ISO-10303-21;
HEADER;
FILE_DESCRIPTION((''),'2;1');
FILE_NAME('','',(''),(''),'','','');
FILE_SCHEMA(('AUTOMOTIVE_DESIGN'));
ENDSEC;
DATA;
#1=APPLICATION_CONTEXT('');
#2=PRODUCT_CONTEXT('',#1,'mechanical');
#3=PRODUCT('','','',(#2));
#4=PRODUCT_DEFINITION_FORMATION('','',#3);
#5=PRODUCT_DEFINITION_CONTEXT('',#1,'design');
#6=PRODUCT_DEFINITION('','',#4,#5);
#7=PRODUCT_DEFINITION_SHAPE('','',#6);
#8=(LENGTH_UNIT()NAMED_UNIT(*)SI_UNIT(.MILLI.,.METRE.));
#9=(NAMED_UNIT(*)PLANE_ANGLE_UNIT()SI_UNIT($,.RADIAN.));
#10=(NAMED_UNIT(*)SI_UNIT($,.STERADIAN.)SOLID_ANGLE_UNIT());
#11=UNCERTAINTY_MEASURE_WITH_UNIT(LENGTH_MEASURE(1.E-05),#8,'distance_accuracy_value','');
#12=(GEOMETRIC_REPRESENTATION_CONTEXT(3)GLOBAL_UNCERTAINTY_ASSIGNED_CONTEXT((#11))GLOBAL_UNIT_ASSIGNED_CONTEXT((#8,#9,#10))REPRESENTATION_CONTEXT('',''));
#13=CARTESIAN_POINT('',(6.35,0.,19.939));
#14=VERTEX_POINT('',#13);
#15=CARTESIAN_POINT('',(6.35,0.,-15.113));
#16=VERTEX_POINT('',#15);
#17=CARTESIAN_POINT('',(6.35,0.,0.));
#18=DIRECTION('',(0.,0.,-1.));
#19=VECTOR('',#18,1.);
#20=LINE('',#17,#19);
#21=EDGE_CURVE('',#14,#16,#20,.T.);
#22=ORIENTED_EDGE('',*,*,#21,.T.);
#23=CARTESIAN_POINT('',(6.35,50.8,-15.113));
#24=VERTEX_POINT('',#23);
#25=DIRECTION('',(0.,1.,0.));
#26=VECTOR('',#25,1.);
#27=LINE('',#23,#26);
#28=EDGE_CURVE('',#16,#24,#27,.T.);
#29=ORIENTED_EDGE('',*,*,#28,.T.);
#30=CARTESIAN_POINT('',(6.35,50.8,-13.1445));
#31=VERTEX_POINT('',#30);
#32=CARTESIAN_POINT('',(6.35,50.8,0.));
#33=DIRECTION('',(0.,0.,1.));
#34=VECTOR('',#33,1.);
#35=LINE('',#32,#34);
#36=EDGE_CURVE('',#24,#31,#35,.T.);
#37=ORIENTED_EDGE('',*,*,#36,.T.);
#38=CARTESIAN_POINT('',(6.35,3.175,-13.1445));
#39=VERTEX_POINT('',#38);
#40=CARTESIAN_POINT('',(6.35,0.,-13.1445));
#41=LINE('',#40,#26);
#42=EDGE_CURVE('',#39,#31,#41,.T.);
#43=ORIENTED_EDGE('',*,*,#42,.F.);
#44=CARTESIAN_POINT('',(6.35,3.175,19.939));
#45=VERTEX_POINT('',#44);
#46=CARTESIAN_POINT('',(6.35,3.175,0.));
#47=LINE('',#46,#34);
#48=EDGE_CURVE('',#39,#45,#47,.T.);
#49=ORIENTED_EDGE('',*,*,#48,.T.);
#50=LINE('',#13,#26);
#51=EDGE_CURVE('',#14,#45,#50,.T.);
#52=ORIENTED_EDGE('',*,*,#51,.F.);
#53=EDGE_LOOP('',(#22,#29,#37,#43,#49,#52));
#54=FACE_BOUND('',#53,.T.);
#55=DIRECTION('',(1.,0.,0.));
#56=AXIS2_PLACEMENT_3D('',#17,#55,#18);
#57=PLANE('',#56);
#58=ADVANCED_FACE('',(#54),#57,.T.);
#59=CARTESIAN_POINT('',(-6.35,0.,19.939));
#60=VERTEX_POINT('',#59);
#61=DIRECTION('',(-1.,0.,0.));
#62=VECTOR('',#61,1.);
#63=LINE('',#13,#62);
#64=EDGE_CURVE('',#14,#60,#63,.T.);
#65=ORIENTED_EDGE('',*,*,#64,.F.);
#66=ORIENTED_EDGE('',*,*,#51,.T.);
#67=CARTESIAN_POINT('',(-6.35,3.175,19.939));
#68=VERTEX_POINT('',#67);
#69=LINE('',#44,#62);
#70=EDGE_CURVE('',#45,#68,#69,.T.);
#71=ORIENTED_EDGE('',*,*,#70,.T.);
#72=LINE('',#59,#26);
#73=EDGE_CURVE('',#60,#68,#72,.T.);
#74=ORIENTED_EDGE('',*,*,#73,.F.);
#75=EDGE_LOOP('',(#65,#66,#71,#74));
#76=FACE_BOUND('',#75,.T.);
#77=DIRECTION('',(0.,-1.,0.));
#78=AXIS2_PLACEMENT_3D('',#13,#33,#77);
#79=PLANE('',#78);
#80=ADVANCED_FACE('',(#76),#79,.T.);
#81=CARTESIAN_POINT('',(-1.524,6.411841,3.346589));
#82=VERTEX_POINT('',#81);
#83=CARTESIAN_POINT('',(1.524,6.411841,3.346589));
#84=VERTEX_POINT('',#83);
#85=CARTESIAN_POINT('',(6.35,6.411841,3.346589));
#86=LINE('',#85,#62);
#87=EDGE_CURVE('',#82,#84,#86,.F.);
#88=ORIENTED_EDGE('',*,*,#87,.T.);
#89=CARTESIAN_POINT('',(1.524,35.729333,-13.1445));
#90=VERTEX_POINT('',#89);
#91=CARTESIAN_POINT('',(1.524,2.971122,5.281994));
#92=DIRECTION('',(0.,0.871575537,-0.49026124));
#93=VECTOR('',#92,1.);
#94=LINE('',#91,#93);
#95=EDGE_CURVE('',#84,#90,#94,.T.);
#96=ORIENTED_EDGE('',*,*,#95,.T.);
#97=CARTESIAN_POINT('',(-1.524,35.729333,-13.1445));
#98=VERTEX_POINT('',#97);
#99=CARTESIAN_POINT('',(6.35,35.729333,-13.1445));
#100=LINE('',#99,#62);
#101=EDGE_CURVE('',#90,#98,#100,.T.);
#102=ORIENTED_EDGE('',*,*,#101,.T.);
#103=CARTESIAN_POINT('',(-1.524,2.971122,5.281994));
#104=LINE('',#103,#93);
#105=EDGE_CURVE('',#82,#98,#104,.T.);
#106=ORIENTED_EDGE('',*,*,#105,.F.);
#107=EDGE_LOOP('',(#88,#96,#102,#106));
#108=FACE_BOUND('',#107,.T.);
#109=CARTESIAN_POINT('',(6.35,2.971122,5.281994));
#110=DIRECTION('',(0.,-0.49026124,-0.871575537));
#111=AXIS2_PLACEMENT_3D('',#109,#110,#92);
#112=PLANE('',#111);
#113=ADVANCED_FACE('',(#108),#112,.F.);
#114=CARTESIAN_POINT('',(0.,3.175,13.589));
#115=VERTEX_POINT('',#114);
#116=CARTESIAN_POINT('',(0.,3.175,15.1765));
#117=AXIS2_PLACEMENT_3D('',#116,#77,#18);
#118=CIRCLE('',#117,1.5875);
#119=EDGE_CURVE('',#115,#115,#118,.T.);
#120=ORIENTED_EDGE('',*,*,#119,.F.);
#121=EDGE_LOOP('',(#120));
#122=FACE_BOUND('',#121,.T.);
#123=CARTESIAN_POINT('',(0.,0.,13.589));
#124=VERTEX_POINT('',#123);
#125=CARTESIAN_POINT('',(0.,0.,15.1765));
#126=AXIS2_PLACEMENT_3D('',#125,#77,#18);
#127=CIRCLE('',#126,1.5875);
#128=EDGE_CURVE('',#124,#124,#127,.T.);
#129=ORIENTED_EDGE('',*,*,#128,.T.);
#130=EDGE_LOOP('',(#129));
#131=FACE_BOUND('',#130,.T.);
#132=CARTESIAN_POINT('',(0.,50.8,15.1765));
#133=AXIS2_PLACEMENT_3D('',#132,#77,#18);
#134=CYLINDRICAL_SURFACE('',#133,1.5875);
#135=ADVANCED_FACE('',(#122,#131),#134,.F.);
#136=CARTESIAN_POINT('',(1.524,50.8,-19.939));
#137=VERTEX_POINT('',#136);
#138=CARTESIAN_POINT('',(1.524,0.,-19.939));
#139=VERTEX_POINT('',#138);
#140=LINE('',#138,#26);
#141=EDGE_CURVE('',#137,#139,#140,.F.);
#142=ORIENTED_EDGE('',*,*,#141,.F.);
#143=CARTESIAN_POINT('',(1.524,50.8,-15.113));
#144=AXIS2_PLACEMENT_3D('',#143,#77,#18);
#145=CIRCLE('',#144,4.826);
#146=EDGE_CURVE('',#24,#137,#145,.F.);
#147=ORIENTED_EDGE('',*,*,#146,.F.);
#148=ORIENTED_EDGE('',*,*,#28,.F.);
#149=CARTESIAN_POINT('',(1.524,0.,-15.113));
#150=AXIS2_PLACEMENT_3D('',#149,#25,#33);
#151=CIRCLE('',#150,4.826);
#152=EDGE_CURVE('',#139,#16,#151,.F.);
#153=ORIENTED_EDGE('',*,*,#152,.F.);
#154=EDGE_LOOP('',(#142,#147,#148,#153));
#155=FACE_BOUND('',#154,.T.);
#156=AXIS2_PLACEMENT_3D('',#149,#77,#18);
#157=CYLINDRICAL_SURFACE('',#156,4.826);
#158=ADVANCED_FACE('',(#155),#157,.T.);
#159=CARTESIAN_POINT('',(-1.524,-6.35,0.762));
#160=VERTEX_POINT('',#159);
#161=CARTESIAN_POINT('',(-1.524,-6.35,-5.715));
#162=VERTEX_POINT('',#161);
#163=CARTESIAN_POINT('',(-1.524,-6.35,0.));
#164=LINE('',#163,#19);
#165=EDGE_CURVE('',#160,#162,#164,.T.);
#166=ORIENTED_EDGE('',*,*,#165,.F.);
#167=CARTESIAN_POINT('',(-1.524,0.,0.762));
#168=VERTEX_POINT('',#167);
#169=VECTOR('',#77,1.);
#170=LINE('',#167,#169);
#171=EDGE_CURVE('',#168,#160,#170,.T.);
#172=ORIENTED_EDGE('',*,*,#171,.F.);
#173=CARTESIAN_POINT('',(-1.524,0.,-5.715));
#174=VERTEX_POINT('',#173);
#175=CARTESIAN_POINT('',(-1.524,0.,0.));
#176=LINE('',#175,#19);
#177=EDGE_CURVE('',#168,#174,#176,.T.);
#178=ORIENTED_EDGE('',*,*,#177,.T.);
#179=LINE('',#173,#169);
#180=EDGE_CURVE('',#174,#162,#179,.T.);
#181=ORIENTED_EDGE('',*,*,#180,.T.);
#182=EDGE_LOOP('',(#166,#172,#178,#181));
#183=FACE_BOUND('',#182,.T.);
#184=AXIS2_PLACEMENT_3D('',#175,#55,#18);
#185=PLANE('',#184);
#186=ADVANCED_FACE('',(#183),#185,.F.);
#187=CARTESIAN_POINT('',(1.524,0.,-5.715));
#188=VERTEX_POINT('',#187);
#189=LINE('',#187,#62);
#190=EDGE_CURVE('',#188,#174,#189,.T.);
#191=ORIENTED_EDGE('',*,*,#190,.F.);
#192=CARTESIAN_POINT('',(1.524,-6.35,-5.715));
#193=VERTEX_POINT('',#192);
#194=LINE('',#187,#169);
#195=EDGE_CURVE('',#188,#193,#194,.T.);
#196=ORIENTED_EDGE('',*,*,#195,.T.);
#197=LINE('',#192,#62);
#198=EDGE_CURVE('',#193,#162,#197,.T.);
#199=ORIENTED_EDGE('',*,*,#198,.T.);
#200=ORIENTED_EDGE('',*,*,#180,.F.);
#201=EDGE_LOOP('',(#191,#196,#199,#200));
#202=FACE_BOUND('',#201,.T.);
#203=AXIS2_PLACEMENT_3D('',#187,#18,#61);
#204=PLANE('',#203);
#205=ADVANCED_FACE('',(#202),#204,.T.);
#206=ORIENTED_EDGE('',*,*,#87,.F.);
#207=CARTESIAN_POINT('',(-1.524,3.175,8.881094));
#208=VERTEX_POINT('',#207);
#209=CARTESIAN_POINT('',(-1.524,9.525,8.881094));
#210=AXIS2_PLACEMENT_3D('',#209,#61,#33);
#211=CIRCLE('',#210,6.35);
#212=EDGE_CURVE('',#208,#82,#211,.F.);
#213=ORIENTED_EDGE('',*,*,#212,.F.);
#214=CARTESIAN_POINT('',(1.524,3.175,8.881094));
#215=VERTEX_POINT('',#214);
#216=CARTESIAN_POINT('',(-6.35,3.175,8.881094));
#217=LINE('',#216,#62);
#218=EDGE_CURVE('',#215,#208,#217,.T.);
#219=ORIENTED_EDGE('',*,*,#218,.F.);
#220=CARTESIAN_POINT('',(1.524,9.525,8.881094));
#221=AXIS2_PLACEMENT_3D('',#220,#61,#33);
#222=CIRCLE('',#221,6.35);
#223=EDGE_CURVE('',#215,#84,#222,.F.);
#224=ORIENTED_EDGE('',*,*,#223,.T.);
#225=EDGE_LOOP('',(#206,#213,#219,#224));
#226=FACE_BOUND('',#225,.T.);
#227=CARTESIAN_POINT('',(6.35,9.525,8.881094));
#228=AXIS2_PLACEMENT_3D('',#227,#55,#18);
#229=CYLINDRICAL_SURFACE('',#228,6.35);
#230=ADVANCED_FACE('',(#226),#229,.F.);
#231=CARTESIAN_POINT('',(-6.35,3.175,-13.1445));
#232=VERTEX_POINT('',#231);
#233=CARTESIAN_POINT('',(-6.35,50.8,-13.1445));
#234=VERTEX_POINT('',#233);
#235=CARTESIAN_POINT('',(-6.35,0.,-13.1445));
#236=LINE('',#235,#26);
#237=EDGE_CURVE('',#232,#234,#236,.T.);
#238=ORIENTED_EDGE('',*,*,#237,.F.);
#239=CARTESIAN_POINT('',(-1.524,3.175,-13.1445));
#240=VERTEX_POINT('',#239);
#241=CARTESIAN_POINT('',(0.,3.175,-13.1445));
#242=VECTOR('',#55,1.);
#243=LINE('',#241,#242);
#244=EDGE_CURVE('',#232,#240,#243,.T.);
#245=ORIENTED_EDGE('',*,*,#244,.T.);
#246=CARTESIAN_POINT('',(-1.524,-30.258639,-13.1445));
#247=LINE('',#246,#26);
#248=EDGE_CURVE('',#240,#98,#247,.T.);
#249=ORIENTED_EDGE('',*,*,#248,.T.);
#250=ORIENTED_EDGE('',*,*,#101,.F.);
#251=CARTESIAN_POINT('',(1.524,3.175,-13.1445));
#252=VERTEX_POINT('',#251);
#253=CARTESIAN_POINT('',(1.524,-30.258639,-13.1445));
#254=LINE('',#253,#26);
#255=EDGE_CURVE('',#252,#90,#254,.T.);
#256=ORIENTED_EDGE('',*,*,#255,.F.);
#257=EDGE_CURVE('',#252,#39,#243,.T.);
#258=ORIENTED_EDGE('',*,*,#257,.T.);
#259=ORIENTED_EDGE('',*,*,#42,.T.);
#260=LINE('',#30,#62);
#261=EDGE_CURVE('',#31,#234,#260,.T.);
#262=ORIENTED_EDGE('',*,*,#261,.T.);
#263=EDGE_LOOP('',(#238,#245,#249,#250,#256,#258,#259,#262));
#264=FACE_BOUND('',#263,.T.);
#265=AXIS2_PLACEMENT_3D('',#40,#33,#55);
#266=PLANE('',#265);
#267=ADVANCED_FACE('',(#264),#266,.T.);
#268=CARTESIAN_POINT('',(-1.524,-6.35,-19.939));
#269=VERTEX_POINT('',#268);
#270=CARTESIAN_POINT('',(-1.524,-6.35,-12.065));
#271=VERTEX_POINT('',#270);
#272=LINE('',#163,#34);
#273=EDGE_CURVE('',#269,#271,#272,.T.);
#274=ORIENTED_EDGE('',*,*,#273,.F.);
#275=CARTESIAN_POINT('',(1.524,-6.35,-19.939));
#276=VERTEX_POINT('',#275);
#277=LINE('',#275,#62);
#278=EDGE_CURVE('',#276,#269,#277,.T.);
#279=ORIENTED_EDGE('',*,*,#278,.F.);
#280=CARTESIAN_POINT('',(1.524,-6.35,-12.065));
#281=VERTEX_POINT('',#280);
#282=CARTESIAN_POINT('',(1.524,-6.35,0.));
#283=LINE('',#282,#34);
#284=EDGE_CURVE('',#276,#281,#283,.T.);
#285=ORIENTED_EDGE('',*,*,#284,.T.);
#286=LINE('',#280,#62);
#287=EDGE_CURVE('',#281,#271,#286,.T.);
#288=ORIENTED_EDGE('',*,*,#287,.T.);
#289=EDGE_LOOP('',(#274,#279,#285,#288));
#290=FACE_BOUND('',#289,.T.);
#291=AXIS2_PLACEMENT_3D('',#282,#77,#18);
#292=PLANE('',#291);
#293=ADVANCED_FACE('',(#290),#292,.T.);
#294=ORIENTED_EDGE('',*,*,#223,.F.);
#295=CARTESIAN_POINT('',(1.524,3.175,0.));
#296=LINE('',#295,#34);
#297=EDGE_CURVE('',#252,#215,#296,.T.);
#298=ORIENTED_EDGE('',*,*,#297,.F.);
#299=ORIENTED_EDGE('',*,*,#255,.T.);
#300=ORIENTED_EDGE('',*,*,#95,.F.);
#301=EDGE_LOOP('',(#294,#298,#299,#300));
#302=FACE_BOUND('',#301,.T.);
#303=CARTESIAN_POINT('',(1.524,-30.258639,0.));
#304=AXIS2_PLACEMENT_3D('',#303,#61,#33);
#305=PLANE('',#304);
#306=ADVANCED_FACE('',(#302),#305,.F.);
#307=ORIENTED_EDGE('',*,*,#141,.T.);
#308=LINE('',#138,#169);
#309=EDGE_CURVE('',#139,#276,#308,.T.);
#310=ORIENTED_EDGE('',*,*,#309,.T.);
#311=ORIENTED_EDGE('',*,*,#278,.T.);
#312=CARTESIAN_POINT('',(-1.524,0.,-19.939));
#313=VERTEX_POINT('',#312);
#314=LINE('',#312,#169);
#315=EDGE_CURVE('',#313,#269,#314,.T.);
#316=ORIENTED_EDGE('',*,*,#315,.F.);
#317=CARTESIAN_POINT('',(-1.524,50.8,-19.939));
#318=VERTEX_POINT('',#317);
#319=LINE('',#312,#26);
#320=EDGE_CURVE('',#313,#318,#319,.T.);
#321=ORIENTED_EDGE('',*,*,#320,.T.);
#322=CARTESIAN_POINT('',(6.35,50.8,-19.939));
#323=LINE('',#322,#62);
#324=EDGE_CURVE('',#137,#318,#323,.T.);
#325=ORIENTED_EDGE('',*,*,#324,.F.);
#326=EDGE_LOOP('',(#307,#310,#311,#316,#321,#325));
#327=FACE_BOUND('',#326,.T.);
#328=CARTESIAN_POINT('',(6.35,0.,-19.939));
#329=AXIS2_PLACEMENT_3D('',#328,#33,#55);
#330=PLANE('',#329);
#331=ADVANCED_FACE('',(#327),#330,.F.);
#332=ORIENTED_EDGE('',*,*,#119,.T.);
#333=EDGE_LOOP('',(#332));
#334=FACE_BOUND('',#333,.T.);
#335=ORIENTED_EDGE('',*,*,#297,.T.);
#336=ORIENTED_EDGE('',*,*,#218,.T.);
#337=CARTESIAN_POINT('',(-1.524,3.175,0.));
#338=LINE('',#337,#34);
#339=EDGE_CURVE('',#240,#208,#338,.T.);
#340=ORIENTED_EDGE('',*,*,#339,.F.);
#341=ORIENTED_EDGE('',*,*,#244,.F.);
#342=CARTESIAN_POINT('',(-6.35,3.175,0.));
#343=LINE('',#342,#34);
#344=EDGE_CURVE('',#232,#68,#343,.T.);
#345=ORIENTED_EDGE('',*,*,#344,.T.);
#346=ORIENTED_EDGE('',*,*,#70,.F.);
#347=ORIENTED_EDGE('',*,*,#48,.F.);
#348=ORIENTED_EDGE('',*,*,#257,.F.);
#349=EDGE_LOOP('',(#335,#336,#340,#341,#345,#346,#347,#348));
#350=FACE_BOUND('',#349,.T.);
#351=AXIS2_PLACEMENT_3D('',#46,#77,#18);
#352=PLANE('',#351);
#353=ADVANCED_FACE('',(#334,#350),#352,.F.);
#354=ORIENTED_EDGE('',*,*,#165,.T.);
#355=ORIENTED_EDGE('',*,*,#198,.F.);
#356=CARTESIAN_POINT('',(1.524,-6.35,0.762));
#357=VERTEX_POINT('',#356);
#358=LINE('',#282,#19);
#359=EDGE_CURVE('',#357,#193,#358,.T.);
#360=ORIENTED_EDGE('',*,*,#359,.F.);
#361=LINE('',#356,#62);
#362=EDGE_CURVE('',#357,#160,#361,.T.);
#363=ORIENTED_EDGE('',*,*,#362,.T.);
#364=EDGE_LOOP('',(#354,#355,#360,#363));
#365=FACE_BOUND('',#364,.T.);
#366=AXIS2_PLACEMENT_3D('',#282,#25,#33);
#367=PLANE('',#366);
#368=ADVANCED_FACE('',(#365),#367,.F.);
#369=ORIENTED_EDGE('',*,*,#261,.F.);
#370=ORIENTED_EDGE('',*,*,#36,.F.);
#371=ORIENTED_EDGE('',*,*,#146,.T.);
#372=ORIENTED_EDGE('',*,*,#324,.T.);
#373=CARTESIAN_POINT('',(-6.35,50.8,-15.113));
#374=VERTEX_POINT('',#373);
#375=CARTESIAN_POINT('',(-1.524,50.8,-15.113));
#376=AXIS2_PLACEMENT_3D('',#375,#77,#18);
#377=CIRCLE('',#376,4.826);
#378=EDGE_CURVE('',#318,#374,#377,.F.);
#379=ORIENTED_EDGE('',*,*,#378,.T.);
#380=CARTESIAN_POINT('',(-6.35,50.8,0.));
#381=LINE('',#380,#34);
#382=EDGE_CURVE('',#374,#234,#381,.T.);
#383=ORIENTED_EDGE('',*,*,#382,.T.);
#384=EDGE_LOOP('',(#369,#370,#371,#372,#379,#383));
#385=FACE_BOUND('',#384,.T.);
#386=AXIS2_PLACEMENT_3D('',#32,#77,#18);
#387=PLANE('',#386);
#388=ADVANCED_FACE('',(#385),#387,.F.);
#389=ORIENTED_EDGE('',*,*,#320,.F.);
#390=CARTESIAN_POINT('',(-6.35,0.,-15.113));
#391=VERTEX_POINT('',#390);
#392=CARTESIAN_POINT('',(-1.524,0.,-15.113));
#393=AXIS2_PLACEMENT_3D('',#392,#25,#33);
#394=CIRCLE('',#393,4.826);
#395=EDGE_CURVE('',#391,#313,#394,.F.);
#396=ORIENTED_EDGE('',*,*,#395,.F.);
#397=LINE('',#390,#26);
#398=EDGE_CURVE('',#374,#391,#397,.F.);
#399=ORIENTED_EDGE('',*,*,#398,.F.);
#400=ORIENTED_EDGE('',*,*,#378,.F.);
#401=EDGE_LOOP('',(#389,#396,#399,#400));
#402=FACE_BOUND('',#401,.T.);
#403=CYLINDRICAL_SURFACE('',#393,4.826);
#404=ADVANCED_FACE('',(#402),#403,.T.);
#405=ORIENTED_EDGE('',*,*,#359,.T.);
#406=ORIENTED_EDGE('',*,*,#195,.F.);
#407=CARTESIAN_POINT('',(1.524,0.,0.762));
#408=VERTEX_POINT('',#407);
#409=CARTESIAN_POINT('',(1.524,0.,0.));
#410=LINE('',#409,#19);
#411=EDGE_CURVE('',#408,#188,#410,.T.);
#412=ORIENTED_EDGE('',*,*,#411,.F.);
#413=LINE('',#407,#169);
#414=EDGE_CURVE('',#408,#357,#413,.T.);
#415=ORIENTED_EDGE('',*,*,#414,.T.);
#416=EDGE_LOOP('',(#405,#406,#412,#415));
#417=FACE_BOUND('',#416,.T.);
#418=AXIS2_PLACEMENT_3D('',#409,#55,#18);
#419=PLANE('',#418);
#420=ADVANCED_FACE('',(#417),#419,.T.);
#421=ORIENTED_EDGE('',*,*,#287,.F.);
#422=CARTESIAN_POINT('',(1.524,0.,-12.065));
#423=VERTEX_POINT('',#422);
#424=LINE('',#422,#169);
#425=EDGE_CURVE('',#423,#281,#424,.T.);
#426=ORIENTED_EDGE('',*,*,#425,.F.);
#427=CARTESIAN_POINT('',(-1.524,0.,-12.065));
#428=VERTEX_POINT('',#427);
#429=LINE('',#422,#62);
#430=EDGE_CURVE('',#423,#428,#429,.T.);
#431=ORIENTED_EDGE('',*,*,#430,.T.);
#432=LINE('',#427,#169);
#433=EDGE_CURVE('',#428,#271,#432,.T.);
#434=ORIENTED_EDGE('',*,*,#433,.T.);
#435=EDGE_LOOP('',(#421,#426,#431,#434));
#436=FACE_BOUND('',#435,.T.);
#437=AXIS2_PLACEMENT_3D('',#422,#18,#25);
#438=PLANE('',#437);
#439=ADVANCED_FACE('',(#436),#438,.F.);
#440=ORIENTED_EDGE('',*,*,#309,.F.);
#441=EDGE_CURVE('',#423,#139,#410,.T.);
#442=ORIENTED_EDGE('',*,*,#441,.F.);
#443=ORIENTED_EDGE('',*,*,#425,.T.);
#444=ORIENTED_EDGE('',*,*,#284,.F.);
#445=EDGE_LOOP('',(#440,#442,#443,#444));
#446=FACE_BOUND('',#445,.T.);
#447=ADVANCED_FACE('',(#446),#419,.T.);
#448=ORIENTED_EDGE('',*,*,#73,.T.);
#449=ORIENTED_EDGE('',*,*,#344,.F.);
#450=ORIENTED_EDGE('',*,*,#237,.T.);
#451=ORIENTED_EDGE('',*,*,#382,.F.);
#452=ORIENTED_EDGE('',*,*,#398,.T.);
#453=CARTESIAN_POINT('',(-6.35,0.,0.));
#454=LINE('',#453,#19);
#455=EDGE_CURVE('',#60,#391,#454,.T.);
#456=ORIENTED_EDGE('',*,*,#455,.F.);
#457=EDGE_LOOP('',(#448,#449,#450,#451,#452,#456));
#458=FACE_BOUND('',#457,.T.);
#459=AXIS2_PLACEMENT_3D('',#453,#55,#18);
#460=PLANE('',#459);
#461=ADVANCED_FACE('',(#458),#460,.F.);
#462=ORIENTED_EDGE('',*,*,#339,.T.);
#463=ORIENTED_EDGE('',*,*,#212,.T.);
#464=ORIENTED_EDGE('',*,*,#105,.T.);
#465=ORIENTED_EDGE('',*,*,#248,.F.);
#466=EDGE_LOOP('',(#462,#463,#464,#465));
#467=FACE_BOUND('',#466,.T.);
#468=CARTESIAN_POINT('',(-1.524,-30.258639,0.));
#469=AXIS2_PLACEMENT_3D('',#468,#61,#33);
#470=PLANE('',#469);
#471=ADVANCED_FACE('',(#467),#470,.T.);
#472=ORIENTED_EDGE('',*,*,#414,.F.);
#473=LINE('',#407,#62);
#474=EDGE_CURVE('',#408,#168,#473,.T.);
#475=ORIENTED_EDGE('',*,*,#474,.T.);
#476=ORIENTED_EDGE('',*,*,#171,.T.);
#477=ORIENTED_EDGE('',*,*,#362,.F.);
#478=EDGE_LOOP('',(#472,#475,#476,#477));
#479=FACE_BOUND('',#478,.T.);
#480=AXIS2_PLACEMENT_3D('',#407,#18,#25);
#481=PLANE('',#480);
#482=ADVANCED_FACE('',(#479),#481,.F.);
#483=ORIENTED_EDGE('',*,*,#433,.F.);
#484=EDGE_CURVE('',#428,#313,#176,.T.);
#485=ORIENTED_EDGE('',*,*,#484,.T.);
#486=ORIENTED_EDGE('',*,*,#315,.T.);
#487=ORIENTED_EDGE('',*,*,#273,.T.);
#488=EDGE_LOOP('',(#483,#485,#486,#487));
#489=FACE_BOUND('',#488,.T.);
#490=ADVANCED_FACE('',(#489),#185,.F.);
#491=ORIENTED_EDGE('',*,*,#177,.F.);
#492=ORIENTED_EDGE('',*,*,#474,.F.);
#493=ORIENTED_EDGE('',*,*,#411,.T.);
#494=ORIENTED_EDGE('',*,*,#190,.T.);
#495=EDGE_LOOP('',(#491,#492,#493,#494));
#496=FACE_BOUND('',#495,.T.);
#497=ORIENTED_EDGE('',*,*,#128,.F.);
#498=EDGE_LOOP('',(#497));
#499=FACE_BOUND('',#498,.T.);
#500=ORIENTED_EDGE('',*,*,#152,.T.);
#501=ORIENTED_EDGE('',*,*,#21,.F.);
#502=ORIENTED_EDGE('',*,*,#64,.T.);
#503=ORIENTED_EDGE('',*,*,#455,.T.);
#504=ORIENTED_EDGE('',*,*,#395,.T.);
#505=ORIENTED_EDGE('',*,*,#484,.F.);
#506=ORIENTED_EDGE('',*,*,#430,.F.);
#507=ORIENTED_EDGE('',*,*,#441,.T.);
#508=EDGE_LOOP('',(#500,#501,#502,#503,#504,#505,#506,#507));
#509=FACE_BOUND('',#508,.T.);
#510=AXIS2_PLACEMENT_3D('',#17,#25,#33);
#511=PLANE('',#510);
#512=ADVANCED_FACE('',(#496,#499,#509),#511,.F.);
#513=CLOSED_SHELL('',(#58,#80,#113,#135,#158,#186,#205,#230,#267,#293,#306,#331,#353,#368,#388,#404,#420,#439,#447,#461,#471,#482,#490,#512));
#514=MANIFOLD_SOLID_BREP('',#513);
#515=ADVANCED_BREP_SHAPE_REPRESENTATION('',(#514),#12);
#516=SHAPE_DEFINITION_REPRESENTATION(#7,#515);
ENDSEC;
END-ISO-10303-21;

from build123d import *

# Parameters (mm, degrees)
BOSS_EXTRUDE1_DEPTH = 6.35
SKETCH1_3_W         = 6.477
SKETCH1_3_H         = 6.35
BOSS_EXTRUDE2_DEPTH = 1.524
SKETCH2_R           = 1.5875
CUT_EXTRUDE1_DEPTH  = 51.8
FILLET1_R           = 4.826
FILLET2_R           = 6.35
SKETCH4_W           = 4.826
SKETCH4_H           = 33.0835
CUT_EXTRUDE5_DEPTH  = 47.625


with BuildPart() as part:
    # Sketch1 → Boss-Extrude1 (new body, symmetric)
    with BuildSketch(Plane(origin=(0, 0, 0), x_dir=(0, 0, -1), z_dir=(1, 0, 0))):
        Polygon((-19.939, 3.175), (-19.939, 0), (19.939, 0), (19.939, 50.8), (13.1445, 50.8), (13.1445, 35.729333418), (-5.167312548, 3.175), align=None)
    extrude(amount=BOSS_EXTRUDE1_DEPTH, both=True)

    # Sketch1<3> → Boss-Extrude2 (add, symmetric)
    with BuildSketch(Plane(origin=(0, 0, 0), x_dir=(0, 0, -1), z_dir=(1, 0, 0))):
        Polygon((13.1445, 0), (12.065, 0), (12.065, -6.35), (19.939, -6.35), (19.939, 0), align=None)
        with Locations((2.4765, -3.175)):
            Rectangle(SKETCH1_3_W, SKETCH1_3_H)
    extrude(amount=BOSS_EXTRUDE2_DEPTH, both=True)

    # Sketch2 → Cut-Extrude1 (cut, through all)
    with BuildSketch(Plane.XZ):
        with Locations((0, 15.1765)):
            Circle(SKETCH2_R)
    extrude(amount=-CUT_EXTRUDE1_DEPTH, mode=Mode.SUBTRACT)

    # Fillet1
    fillet1_edges = [part.edges().sort_by_distance(p)[0] for p in [
        (-6.35, 25.4, -19.939),
        (6.35, 25.4, -19.939),
    ]]
    fillet(fillet1_edges, radius=FILLET1_R)

    # Fillet2
    fillet2_edges = [part.edges().sort_by_distance(p)[0] for p in [
        (0, 3.175, 5.167312548),
    ]]
    fillet(fillet2_edges, radius=FILLET2_R)

    # Sketch4 → Cut-Extrude5 (cut)
    with BuildSketch(Plane(origin=(0, 50.8, 0), x_dir=(1, 0, 0), z_dir=(0, 1, 0))):
        with Locations((-3.937, -3.39725)):
            Rectangle(SKETCH4_W, SKETCH4_H)
        with Locations((3.937, -3.39725)):
            Rectangle(SKETCH4_W, SKETCH4_H)
    extrude(amount=-CUT_EXTRUDE5_DEPTH, mode=Mode.SUBTRACT)


solid = part.part
